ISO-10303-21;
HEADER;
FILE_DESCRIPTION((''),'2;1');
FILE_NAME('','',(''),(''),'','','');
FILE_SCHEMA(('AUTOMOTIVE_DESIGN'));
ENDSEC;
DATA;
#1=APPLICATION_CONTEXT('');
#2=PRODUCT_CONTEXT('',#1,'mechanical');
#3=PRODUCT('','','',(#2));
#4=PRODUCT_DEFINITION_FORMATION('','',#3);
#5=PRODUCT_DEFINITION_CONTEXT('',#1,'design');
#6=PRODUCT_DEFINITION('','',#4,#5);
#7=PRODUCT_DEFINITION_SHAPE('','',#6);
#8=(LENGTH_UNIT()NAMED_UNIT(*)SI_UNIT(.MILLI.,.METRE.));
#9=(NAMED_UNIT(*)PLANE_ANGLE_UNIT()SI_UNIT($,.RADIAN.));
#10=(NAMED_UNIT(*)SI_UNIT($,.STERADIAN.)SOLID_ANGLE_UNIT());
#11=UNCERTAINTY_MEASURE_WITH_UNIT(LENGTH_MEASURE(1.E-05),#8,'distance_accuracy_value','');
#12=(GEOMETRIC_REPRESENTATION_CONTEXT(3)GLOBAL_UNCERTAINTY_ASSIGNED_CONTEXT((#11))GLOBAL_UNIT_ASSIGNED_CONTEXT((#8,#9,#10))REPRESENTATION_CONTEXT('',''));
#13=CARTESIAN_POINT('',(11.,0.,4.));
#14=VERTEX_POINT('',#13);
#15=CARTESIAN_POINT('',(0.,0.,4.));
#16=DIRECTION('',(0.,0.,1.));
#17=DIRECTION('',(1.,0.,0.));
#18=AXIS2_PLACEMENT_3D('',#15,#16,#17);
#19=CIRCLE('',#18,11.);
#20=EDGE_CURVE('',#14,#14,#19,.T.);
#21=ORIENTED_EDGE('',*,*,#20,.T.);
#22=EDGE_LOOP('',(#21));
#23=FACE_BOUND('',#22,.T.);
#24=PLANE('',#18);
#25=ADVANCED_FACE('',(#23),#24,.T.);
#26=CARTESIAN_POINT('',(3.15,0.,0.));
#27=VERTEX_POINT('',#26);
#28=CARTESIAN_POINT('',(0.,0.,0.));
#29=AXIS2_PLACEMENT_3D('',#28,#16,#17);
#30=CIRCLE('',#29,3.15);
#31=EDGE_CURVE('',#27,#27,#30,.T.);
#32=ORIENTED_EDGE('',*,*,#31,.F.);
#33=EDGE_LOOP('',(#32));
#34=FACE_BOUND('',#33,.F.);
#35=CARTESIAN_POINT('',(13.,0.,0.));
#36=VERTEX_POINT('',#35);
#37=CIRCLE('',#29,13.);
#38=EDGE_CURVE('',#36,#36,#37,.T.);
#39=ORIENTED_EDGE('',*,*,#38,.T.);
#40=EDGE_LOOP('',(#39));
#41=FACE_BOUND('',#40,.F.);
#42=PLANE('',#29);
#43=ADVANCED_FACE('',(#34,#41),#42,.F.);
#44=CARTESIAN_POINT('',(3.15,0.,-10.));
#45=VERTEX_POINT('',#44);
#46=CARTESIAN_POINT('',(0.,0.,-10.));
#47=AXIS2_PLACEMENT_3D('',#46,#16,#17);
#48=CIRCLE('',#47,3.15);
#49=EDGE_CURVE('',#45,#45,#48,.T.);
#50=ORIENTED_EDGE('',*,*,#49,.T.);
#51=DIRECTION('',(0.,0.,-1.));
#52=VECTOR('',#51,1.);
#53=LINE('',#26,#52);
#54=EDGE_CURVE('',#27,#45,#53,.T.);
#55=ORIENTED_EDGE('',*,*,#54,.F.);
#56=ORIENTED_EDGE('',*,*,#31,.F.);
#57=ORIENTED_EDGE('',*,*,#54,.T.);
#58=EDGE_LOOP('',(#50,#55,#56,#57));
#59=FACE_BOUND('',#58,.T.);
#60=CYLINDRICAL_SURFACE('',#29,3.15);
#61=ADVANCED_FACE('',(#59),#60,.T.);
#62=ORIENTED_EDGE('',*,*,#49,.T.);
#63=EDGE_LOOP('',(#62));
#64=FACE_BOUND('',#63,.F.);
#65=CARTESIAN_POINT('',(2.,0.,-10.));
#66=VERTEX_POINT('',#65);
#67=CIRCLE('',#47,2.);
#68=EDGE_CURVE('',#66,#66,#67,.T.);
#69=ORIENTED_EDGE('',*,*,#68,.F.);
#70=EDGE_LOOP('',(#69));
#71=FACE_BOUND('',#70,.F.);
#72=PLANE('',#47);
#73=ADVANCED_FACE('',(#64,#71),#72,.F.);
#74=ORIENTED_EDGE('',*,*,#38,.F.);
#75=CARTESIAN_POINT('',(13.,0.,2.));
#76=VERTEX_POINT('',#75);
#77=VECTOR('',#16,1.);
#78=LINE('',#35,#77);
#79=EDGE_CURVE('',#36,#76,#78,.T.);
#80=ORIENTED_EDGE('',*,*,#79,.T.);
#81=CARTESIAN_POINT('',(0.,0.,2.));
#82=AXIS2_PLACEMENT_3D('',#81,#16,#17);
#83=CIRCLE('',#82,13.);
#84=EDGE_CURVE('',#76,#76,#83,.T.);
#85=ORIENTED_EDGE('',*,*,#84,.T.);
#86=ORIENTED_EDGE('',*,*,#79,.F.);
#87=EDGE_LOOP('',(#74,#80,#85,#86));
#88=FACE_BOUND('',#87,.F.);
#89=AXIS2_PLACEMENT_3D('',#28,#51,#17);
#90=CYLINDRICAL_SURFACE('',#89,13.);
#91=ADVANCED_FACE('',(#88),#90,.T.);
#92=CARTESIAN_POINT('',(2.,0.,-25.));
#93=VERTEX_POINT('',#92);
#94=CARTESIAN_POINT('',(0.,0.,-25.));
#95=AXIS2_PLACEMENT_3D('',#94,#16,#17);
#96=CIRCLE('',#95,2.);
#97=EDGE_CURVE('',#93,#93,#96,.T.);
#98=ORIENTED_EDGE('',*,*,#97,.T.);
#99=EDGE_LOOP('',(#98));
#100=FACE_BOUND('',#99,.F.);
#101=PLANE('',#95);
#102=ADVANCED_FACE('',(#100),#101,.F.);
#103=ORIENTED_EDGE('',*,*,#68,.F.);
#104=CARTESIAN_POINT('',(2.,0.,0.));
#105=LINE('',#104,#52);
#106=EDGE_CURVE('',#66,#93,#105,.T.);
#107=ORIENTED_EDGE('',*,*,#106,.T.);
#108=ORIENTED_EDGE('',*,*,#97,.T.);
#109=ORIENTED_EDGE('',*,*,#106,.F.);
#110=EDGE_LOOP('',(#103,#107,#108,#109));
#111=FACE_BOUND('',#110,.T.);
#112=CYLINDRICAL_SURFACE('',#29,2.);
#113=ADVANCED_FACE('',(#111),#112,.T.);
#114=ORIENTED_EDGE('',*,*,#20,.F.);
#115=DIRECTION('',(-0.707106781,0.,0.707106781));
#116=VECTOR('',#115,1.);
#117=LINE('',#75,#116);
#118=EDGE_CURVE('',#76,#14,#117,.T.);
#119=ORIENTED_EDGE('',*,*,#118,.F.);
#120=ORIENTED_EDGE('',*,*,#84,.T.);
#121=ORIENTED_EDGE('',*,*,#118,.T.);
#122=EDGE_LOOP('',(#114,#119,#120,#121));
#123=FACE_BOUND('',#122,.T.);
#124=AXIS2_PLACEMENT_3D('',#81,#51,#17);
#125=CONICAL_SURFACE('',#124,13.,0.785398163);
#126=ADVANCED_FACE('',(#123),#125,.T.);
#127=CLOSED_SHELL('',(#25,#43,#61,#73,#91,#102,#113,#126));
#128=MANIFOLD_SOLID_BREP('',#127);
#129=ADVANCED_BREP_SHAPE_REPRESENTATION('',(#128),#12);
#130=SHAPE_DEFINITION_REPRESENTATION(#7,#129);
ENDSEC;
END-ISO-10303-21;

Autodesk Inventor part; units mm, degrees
ref_plane "YZ Plane" through (0, 0, 0) normal (1, 0, 0) x (0, 1, 0)
ref_plane "XZ Plane" through (0, 0, 0) normal (0, 1, 0) x (-1, 0, 0)
ref_plane "XY Plane" through (0, 0, 0) normal (0, 0, 1) x (1, 0, 0)
sketch "Sketch1" plane through (0, 0, 0) normal (0, 0, 1) x (1, 0, 0)
  circle A0 centre (0, 0) radius 13
  circle A1 centre (0, 0) radius 11.5
  circle A2 centre (0, 0) radius 3.15
  circle A3 centre (0, 0) radius 2
  dimension "d0" = 26
  dimension "d1" = 23
  dimension "d2" = 6.3
  dimension "d3" = 4
extrude "Extrusion1" add sketch "Sketch1" along normal blind 4 contours A0
extrude "Extrusion2" add sketch "Sketch1" along normal blind 4 contours A1 | A2 | A3
extrude "Extrusion3" add sketch "Sketch1" against normal blind 10 contours A2 | A3
extrude "Extrusion4" add sketch "Sketch1" against normal blind 25 contours A3
chamfer "Chamfer1" distance 2 angle 45 1 edges at (-13, 0, 4)
thread "Thread1" size "M4x0.7" class "6g" standard "ISO Metric profile" length 15
properties part number "Manija para Bandeja"
